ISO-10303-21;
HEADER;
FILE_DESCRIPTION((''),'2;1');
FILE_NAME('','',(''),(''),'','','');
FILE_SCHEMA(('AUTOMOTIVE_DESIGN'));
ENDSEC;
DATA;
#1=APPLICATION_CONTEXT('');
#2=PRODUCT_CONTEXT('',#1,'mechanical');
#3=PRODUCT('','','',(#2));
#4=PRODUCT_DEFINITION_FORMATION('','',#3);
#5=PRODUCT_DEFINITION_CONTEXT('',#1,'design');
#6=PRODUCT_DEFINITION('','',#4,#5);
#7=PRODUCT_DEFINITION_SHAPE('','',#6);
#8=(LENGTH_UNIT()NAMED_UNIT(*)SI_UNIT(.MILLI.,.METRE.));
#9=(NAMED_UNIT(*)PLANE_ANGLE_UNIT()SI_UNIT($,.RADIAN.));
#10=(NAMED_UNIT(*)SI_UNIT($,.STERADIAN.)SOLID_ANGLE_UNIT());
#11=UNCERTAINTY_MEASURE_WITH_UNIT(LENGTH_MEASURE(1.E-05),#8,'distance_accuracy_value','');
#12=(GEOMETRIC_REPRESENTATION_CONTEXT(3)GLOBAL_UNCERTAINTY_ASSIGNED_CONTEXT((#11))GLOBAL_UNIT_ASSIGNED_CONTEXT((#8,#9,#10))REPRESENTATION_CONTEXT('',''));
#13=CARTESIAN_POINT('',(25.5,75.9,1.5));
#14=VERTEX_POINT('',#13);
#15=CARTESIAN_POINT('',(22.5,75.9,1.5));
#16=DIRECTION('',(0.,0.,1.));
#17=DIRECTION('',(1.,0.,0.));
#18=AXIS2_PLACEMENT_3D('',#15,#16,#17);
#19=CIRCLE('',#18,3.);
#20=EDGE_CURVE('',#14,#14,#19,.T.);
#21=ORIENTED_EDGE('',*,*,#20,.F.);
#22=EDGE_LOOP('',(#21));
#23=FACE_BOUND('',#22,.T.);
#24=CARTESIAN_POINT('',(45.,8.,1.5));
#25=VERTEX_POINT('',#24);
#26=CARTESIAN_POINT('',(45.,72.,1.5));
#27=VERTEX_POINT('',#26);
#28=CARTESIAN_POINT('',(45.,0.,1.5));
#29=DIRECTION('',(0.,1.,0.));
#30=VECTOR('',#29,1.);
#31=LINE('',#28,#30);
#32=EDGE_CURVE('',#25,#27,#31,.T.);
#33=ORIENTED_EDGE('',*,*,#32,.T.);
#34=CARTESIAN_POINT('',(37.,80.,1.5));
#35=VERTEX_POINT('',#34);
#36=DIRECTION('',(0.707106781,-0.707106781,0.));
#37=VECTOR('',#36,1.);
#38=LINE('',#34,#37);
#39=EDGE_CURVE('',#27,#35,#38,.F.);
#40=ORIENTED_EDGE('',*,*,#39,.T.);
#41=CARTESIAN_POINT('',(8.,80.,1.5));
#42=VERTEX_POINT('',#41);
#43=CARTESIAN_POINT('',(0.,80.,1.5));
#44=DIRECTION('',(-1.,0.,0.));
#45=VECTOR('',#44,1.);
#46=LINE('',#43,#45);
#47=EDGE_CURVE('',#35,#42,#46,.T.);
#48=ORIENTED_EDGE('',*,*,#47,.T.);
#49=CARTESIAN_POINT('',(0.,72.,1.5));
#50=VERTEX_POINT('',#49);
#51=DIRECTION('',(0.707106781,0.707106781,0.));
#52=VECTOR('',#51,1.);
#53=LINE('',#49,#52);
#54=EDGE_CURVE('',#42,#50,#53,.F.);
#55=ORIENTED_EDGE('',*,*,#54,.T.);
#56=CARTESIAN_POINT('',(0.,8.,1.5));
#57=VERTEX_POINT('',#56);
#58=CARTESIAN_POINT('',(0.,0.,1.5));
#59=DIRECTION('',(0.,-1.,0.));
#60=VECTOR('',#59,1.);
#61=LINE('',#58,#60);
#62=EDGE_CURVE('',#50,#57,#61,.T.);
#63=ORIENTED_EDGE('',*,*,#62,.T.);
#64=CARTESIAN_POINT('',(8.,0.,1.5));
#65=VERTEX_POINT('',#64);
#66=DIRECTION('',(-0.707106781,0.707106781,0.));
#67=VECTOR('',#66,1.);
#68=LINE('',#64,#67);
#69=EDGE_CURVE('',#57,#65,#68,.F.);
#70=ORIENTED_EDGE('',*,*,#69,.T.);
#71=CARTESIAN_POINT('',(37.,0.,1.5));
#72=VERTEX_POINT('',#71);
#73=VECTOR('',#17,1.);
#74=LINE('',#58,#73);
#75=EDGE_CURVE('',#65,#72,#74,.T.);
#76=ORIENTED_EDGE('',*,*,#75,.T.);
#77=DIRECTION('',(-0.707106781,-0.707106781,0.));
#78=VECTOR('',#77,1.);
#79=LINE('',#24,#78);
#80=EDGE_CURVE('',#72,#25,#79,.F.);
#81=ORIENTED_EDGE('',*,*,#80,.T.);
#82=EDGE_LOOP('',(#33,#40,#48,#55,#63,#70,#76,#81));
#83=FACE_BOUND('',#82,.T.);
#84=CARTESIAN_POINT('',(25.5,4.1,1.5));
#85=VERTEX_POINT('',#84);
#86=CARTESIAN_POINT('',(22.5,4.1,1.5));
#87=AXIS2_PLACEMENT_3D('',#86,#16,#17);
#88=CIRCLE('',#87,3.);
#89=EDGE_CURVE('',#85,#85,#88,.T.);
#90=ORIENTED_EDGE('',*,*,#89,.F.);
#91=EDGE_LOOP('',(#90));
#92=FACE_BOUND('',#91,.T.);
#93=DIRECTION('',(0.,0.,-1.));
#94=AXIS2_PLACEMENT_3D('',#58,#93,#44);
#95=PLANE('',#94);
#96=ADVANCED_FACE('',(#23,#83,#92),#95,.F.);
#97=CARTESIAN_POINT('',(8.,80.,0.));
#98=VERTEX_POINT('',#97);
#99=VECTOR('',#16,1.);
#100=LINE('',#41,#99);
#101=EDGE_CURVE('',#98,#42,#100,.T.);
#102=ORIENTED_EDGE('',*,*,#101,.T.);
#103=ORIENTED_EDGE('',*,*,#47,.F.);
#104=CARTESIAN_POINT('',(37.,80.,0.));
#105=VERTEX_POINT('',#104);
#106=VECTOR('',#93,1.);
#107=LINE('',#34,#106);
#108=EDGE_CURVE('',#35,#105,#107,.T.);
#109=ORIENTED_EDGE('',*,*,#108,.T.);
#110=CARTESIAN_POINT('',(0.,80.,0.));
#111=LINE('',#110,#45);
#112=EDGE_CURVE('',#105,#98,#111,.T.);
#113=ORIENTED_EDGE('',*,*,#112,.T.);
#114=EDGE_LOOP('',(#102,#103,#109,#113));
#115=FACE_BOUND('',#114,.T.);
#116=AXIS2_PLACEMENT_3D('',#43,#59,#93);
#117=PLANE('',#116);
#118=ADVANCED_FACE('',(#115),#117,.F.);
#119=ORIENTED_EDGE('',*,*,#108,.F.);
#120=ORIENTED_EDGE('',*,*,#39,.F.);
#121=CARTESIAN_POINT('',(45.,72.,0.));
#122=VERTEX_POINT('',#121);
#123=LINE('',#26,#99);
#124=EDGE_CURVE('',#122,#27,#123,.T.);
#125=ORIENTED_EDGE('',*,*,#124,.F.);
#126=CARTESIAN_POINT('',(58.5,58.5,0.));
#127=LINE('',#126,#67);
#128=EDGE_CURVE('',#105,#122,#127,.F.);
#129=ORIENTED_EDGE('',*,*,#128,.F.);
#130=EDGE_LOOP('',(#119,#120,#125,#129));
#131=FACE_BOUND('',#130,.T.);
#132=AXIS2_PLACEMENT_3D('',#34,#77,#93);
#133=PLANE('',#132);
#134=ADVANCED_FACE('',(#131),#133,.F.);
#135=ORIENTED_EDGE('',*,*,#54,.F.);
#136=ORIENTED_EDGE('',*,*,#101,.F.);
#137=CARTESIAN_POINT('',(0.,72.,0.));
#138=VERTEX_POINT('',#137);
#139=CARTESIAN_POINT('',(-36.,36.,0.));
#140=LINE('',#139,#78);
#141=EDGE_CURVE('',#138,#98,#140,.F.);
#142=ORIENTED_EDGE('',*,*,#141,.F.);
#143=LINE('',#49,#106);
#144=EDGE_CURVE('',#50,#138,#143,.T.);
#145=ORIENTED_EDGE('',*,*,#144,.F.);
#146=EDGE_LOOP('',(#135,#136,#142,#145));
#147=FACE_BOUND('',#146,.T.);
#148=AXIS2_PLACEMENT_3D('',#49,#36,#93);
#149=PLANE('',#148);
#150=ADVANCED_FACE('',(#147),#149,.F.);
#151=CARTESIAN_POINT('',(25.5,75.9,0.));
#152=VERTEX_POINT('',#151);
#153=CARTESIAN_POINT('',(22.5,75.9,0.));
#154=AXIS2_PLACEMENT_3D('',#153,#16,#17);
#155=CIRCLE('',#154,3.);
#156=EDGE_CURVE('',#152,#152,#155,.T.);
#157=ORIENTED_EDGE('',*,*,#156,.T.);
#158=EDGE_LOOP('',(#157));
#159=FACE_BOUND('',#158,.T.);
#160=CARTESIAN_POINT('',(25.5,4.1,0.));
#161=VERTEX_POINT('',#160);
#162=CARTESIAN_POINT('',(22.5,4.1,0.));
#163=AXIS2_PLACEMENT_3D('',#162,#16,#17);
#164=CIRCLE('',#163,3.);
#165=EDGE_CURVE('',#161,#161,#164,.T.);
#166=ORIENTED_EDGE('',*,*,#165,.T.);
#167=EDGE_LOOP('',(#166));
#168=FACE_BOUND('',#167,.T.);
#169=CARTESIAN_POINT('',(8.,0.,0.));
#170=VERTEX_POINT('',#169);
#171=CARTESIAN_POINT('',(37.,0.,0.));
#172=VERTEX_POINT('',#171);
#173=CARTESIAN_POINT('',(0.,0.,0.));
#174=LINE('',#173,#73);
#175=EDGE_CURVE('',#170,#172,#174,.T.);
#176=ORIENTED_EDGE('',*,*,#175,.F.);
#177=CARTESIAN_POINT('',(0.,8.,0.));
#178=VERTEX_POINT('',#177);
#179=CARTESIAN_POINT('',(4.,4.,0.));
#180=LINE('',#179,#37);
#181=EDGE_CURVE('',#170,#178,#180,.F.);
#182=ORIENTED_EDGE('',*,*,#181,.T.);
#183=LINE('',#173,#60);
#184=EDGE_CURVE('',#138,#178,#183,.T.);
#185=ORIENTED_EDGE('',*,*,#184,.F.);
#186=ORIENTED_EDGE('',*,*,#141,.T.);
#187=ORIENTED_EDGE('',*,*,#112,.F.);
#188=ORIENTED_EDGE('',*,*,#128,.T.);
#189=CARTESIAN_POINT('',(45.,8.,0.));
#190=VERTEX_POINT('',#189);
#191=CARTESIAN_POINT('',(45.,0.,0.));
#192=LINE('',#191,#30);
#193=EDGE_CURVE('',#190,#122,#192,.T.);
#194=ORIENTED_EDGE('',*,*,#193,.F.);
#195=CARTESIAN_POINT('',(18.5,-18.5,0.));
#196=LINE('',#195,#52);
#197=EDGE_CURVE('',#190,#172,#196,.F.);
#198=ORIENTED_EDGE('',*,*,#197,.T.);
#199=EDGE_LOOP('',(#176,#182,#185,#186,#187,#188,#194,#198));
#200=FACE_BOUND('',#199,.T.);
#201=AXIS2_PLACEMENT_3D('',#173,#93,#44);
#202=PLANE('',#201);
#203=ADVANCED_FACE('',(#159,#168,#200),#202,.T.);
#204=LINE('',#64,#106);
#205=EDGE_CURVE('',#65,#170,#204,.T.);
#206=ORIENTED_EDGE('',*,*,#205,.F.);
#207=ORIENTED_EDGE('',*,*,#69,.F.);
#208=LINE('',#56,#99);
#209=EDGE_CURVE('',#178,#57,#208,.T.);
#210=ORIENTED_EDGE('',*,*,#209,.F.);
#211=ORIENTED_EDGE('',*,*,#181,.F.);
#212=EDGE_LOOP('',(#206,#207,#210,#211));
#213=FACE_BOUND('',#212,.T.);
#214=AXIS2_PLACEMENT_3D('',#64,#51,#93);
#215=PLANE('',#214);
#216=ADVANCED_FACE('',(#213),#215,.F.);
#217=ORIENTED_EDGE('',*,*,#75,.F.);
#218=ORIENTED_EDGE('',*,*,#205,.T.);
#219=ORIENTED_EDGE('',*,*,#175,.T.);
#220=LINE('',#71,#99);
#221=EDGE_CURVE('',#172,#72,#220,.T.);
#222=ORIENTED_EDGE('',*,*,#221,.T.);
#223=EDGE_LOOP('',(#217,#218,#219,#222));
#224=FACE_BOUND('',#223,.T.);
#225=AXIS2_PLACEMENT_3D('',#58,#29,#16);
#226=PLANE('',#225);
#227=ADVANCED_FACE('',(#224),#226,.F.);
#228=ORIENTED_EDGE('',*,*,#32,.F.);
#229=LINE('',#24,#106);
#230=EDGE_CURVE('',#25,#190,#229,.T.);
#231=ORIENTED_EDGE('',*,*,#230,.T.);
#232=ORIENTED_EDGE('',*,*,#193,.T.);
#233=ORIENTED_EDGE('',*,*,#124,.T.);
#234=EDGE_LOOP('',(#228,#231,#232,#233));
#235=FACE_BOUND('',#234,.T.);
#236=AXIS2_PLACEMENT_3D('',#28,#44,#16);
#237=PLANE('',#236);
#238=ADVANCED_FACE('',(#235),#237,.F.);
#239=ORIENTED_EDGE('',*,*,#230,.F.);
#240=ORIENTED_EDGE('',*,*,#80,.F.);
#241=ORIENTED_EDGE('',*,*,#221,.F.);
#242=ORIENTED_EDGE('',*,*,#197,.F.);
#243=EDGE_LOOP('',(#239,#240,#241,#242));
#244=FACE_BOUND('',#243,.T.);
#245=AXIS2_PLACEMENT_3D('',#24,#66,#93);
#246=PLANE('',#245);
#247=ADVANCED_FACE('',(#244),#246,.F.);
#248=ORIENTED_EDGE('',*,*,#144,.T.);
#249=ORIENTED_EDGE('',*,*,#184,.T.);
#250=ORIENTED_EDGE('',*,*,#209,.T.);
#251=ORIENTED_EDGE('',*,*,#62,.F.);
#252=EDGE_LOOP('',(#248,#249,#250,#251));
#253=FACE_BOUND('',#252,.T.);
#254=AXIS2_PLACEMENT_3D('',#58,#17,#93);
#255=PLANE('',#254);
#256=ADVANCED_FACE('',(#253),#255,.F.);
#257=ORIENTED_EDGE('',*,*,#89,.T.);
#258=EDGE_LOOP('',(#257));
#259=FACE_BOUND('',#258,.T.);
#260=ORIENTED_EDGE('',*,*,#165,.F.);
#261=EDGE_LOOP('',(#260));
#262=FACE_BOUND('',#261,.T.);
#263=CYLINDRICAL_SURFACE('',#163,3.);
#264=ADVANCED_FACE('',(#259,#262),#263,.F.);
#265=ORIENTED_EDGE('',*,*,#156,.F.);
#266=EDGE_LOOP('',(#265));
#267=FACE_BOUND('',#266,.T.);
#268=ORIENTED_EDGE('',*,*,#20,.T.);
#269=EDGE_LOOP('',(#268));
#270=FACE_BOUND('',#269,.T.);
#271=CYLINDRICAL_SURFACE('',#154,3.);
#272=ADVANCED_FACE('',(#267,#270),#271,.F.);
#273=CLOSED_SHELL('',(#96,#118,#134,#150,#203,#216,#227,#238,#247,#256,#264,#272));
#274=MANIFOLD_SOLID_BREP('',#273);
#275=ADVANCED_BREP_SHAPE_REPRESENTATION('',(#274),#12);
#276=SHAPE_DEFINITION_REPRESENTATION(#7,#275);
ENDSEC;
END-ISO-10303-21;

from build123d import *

# Parameters (mm, degrees)
ESQUISSE1_W             = 45
ESQUISSE1_H             = 80
BOSS_EXTRU_1_DEPTH      = 1.5
CHANFREIN1_SIZE         = 8
ESQUISSE2_R             = 3
ENL_V_MAT_EXTRU_1_DEPTH = 2.5


with BuildPart() as part:
    # Esquisse1 → Boss.-Extru.1 (new body)
    with BuildSketch(Plane.XY):
        with Locations((22.5, 40)):
            Rectangle(ESQUISSE1_W, ESQUISSE1_H)
    extrude(amount=BOSS_EXTRU_1_DEPTH)

    # Chanfrein1
    chanfrein1_edges = [part.edges().sort_by_distance(p)[0] for p in [
        (0, 80, 0.75),
        (45, 80, 0.75),
        (45, 0, 0.75),
        (0, 0, 0.75),
    ]]
    chamfer(chanfrein1_edges, length=CHANFREIN1_SIZE)

    # Esquisse2 → Enlèv. mat.-Extru.1 (cut, through all)
    with BuildSketch(Plane.XY.offset(1.5)):
        with Locations((22.5, 75.9)):
            Circle(ESQUISSE2_R)
        with Locations((22.5, 4.1)):
            Circle(ESQUISSE2_R)
    extrude(amount=-ENL_V_MAT_EXTRU_1_DEPTH, mode=Mode.SUBTRACT)


solid = part.part
